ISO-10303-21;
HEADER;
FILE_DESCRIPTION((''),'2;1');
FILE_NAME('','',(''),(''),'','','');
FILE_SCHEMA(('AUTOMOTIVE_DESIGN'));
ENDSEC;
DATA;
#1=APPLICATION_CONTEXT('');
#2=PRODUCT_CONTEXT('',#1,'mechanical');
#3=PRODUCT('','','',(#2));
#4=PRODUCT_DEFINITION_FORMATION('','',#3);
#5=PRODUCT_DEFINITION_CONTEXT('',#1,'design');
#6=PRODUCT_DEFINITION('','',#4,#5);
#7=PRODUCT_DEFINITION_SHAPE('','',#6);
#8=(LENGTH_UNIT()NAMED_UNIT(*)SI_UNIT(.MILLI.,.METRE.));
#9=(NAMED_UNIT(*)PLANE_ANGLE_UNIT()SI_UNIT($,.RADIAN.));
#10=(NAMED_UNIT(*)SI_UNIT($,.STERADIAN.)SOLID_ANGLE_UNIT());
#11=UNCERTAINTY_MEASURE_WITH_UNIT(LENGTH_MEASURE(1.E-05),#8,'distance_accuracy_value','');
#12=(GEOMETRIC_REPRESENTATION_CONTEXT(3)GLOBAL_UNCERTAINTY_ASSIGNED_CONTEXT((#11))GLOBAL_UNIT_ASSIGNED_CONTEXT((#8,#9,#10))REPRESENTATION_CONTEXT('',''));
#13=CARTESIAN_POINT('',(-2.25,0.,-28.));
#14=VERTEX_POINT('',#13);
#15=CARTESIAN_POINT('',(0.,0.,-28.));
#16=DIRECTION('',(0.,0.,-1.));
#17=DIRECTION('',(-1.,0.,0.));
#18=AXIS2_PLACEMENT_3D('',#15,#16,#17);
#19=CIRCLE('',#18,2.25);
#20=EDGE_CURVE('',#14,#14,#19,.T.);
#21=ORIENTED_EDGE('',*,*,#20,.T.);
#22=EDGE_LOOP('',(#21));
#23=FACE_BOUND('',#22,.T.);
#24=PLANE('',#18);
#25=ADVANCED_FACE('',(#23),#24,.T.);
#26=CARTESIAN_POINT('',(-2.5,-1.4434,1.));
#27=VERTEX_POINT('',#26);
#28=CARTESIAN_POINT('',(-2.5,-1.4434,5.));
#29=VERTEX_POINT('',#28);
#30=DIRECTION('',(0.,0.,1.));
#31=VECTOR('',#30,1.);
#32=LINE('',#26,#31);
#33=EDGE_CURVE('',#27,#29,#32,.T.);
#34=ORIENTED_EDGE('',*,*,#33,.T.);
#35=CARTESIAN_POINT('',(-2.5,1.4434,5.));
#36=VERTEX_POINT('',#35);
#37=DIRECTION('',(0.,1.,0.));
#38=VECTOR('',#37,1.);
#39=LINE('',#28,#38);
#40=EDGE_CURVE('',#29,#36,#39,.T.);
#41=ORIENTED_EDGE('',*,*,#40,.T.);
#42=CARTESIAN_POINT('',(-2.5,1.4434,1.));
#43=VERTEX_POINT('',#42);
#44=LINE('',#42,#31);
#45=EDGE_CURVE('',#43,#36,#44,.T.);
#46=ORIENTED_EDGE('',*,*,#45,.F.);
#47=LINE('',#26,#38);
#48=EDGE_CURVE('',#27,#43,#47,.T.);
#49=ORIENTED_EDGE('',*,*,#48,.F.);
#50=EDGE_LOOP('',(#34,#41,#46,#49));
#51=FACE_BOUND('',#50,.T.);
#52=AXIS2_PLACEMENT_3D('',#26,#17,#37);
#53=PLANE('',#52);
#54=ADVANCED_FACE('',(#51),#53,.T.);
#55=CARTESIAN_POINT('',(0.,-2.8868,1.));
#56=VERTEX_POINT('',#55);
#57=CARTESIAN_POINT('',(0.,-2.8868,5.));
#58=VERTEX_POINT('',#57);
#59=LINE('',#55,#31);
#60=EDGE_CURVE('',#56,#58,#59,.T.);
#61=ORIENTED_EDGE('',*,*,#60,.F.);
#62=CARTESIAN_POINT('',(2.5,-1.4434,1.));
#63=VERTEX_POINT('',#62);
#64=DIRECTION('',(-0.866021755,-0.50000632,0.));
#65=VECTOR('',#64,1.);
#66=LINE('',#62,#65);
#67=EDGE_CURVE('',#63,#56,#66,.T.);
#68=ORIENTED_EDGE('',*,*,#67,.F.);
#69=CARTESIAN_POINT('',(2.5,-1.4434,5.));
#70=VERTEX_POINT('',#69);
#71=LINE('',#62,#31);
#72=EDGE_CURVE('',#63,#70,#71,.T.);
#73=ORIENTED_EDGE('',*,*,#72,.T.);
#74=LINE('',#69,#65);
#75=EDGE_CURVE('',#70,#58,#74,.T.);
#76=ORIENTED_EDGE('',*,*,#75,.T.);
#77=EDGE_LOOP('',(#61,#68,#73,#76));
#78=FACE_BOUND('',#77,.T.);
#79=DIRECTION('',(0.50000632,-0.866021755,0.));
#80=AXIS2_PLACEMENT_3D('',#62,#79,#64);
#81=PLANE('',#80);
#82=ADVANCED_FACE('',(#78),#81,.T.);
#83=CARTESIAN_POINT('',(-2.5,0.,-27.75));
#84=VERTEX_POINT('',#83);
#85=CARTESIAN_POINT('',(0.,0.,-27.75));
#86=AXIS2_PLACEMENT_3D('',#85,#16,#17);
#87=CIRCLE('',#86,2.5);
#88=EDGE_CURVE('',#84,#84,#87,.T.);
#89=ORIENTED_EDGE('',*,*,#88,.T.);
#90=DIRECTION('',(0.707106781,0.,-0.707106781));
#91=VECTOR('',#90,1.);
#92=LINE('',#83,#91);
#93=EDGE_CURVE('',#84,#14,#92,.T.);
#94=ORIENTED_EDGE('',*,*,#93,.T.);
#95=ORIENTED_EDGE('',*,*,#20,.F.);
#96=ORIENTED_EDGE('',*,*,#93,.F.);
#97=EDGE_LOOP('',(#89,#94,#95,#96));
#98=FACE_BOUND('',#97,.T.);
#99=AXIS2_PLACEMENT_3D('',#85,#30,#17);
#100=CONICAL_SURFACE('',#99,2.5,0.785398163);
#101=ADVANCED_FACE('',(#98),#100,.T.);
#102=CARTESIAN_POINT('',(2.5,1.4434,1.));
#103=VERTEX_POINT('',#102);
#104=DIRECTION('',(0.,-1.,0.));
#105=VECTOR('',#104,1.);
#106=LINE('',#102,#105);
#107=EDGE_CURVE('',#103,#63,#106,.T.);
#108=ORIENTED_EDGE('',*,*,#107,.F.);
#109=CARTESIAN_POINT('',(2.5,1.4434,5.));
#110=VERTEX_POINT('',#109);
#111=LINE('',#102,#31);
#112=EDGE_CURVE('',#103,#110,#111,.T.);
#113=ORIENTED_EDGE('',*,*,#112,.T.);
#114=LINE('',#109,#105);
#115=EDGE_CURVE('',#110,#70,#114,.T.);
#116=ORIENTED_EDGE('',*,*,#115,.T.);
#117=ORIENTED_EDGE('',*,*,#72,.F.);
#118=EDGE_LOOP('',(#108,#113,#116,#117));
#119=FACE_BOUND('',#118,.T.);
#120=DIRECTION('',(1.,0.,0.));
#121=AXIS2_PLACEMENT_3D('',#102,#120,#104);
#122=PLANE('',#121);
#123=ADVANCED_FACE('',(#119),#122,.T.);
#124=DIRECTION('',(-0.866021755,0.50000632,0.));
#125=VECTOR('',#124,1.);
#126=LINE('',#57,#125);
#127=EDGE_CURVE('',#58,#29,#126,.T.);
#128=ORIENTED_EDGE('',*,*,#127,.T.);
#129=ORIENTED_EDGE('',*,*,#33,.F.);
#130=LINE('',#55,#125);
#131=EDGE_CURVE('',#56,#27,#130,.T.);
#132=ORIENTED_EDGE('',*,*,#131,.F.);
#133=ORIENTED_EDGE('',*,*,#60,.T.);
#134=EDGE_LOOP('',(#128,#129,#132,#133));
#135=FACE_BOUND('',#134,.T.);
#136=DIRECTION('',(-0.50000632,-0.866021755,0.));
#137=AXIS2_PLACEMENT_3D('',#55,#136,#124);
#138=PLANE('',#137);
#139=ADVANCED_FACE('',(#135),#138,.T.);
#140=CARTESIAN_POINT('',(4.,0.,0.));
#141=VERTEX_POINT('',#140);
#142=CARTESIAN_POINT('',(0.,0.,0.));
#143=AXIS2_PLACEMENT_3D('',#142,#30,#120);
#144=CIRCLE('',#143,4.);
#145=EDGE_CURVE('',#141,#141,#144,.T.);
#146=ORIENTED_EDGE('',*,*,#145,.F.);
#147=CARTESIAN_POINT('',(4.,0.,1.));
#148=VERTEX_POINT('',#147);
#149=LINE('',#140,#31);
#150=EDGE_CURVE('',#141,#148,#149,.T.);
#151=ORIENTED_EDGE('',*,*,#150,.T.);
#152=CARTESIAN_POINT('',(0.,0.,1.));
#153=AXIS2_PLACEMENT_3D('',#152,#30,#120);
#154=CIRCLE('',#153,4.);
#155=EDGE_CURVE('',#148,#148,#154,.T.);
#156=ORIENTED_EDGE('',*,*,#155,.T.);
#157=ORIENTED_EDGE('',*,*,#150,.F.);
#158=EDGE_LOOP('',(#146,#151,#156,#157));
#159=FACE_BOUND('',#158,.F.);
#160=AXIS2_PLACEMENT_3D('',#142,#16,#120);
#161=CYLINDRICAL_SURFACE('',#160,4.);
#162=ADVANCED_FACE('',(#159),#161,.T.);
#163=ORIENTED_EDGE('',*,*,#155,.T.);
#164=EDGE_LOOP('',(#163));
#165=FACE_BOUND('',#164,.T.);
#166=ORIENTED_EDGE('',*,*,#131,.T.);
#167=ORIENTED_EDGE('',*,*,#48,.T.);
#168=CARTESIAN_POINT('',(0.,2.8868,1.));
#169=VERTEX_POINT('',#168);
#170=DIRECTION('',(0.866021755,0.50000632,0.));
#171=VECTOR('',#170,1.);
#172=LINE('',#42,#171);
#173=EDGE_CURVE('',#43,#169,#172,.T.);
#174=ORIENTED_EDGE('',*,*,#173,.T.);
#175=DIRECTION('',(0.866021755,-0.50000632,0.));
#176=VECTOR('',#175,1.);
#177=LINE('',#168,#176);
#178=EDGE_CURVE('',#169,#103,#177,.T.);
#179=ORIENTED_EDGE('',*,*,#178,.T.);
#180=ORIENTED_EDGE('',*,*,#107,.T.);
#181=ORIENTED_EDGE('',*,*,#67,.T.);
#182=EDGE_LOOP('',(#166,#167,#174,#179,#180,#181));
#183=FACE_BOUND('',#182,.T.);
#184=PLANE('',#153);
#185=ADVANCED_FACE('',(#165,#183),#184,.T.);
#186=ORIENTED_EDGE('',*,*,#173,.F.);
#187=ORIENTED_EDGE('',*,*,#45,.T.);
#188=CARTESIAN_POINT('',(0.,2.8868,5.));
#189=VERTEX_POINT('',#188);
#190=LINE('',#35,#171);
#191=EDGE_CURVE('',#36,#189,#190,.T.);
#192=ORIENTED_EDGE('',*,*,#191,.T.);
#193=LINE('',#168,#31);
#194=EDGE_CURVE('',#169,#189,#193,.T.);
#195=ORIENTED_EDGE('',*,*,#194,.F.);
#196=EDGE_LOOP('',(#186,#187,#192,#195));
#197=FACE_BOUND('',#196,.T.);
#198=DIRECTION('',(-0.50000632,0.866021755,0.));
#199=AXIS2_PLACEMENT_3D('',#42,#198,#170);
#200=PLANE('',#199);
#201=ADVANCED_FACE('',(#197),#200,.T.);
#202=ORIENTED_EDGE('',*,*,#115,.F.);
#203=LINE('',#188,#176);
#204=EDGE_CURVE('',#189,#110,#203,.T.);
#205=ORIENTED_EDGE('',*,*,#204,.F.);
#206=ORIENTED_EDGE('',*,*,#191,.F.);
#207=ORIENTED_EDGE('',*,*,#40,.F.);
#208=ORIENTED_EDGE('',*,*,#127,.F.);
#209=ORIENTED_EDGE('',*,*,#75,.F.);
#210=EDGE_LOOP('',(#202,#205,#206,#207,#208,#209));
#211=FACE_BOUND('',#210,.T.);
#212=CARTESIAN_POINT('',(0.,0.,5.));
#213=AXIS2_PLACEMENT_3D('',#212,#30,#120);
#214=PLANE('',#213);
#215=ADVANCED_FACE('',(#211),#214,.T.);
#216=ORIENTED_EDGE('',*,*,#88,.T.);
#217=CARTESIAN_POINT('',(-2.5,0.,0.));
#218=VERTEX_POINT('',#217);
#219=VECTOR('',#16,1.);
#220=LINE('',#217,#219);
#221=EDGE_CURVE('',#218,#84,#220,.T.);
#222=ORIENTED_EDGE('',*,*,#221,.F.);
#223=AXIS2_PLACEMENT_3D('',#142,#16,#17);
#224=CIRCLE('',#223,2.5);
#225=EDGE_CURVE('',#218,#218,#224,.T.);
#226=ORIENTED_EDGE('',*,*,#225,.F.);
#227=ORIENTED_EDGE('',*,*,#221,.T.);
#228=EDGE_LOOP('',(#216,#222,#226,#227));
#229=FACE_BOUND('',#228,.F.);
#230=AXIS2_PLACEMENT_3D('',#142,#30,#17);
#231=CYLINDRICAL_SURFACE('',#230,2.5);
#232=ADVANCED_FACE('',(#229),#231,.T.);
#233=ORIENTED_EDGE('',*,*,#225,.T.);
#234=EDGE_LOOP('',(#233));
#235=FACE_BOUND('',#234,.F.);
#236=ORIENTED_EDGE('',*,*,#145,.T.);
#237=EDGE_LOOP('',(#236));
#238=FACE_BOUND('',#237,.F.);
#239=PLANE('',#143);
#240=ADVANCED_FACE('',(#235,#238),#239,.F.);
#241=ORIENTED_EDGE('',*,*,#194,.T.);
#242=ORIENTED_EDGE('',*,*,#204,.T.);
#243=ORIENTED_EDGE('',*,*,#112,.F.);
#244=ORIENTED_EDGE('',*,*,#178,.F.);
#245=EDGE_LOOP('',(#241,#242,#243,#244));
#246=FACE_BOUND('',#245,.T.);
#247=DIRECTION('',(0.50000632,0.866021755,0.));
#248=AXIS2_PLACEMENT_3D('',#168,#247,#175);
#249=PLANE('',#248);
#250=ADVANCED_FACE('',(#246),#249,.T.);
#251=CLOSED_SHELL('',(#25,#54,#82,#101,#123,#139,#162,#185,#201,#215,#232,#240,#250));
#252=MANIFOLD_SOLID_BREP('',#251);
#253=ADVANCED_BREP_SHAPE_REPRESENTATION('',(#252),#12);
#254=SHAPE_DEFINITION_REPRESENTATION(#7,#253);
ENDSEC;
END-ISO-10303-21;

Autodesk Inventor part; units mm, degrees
ref_plane "YZ Plane" through (0, 0, 0) normal (1, 0, 0) x (0, 1, 0)
ref_plane "XZ Plane" through (0, 0, 0) normal (0, 1, 0) x (-1, 0, 0)
ref_plane "XY Plane" through (0, 0, 0) normal (0, 0, 1) x (1, 0, 0)
sketch "草图1" plane through (0, 0, 0) normal (0, 0, 1) x (1, 0, 0)
  circle A0 centre (0, 0) radius 4
  dimension "d0" = 8
extrude "拉伸1" add sketch "草图1" along normal blind 1
sketch "草图2" plane through (0, 0, 1) normal (0, 0, 1) x (1, 0, 0)
  line L0 (0, -2.8868) -> (-2.5, -1.4434)
  line L1 (-2.5, -1.4434) -> (-2.5, 1.4434)
  line L2 (-2.5, 1.4434) -> (0, 2.8868)
  line L3 (0, 2.8868) -> (2.5, 1.4434)
  line L4 (2.5, 1.4434) -> (2.5, -1.4434)
  line L5 (2.5, -1.4434) -> (0, -2.8868)
  point P0 (0, 0)
  point P1 (0, 0)
  dimension "d3" = 5
extrude "拉伸2" add sketch "草图2" along normal blind 4
sketch "草图3" plane through (0, 0, 0) normal (0, 0, -1) x (-1, 0, 0)
  circle A0 centre (0, 0) radius 2.5
  dimension "d6" = 5
extrude "拉伸3" add sketch "草图3" along normal blind 28
thread "螺纹1" size "M5x0.8" class "6g" standard "ANSI Metric M Profile" full length
chamfer "倒角1" distance 0.25 angle 45 1 edges at (2.5, 0, -28)
properties part number "装填盘轴盖螺丝"
